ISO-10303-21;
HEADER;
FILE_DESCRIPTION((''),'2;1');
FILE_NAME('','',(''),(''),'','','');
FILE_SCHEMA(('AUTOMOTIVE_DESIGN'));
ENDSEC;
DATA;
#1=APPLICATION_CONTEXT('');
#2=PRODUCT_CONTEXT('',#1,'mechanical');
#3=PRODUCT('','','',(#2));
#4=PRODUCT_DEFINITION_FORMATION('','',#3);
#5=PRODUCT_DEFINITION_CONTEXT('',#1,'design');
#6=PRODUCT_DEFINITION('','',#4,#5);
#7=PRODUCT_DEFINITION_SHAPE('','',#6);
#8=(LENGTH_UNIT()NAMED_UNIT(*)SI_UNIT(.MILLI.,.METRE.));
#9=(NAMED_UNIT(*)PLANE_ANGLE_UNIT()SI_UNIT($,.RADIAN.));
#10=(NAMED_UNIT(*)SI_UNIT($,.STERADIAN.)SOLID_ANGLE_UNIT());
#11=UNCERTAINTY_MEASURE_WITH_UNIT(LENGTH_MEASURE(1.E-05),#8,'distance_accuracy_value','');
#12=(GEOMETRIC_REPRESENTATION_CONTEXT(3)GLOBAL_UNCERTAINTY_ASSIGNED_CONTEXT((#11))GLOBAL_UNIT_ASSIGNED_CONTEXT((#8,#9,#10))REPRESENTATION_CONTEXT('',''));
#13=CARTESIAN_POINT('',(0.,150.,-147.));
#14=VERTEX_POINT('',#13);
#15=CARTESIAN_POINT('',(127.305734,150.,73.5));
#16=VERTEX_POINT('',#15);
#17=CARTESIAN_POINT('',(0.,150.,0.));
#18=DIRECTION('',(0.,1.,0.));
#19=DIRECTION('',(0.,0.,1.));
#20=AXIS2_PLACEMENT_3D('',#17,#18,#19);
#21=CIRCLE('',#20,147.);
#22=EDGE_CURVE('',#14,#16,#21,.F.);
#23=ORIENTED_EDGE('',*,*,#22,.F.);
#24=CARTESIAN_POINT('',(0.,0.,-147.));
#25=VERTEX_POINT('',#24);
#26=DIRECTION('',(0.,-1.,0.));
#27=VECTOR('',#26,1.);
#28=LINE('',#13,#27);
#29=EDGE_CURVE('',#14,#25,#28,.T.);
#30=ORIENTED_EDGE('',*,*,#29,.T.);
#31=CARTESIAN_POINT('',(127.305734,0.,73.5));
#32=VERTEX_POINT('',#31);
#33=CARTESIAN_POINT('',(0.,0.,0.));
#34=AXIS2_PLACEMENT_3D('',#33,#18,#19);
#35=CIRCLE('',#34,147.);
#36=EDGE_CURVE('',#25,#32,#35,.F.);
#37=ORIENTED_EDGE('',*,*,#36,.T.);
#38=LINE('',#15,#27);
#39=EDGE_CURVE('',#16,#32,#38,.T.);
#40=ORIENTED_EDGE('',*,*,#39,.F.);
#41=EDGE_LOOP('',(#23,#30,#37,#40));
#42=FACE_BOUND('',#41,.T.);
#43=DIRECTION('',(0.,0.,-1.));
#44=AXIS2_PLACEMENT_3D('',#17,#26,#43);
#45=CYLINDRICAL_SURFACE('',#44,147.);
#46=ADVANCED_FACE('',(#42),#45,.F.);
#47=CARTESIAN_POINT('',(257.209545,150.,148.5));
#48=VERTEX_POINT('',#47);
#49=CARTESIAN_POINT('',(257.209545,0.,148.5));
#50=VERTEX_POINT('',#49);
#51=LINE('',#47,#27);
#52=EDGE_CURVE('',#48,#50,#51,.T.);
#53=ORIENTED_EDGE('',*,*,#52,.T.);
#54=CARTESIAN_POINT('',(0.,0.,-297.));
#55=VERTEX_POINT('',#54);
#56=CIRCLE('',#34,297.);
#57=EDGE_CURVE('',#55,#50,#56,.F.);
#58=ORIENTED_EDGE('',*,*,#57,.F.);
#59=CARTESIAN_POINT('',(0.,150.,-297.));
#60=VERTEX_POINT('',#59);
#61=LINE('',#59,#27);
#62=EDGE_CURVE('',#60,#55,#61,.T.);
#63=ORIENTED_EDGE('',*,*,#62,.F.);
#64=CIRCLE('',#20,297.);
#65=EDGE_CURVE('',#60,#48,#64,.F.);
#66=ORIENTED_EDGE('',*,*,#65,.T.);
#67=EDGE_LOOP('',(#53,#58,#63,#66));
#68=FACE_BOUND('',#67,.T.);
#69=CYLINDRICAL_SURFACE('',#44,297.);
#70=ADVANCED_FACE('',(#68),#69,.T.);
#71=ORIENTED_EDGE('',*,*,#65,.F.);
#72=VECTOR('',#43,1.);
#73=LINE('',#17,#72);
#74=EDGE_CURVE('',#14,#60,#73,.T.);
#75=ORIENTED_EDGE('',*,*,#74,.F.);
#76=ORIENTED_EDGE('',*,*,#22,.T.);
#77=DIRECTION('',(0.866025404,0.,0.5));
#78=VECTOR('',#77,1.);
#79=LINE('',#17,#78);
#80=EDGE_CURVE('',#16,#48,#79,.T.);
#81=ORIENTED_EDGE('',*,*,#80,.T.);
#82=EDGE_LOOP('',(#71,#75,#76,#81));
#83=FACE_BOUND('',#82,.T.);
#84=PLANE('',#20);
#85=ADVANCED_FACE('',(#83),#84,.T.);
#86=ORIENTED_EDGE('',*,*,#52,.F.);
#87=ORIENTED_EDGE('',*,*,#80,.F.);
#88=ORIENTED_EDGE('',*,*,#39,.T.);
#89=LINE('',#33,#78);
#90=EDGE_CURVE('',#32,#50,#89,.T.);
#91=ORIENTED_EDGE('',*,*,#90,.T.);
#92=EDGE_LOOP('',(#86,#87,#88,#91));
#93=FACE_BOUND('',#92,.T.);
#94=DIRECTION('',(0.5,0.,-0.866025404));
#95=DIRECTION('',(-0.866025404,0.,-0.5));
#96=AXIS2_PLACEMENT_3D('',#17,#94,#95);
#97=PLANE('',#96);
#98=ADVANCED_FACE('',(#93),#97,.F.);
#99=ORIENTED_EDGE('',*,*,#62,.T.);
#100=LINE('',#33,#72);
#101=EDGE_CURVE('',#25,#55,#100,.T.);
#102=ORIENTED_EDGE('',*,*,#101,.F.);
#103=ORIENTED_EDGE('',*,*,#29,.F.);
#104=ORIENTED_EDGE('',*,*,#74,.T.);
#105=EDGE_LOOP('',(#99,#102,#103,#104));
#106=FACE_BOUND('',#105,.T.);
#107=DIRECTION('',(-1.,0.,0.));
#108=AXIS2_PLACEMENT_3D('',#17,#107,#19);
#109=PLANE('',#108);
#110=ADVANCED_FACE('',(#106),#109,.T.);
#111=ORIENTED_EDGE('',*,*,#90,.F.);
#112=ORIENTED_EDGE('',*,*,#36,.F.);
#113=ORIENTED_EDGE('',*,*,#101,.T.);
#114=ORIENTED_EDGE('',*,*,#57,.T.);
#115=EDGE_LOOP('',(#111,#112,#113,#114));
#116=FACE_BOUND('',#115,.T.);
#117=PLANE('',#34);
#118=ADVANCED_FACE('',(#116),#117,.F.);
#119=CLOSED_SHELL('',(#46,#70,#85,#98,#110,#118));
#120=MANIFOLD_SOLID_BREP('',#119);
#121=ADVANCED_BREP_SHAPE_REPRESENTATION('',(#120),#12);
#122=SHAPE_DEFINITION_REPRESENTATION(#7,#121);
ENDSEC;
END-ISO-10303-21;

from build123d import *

# Parameters (mm, degrees)
BOSS_EXTRUDE1_DEPTH = 150


with BuildPart() as part:
    # Sketch1 → Boss-Extrude1 (new body)
    with BuildSketch(Plane(origin=(0, 0, 0), x_dir=(1, 0, 0), z_dir=(0, 1, 0))):
        with BuildLine():
            ThreePointArc((0, 297), (257.209544924, 148.5), (257.209544924, -148.5))
            Line((257.209544924, -148.5), (127.305734356, -73.5))
            ThreePointArc((127.305734356, -73.5), (127.305734356, 73.5), (0, 147))
            Line((0, 147), (0, 297))
        make_face()
    extrude(amount=BOSS_EXTRUDE1_DEPTH)


solid = part.part
